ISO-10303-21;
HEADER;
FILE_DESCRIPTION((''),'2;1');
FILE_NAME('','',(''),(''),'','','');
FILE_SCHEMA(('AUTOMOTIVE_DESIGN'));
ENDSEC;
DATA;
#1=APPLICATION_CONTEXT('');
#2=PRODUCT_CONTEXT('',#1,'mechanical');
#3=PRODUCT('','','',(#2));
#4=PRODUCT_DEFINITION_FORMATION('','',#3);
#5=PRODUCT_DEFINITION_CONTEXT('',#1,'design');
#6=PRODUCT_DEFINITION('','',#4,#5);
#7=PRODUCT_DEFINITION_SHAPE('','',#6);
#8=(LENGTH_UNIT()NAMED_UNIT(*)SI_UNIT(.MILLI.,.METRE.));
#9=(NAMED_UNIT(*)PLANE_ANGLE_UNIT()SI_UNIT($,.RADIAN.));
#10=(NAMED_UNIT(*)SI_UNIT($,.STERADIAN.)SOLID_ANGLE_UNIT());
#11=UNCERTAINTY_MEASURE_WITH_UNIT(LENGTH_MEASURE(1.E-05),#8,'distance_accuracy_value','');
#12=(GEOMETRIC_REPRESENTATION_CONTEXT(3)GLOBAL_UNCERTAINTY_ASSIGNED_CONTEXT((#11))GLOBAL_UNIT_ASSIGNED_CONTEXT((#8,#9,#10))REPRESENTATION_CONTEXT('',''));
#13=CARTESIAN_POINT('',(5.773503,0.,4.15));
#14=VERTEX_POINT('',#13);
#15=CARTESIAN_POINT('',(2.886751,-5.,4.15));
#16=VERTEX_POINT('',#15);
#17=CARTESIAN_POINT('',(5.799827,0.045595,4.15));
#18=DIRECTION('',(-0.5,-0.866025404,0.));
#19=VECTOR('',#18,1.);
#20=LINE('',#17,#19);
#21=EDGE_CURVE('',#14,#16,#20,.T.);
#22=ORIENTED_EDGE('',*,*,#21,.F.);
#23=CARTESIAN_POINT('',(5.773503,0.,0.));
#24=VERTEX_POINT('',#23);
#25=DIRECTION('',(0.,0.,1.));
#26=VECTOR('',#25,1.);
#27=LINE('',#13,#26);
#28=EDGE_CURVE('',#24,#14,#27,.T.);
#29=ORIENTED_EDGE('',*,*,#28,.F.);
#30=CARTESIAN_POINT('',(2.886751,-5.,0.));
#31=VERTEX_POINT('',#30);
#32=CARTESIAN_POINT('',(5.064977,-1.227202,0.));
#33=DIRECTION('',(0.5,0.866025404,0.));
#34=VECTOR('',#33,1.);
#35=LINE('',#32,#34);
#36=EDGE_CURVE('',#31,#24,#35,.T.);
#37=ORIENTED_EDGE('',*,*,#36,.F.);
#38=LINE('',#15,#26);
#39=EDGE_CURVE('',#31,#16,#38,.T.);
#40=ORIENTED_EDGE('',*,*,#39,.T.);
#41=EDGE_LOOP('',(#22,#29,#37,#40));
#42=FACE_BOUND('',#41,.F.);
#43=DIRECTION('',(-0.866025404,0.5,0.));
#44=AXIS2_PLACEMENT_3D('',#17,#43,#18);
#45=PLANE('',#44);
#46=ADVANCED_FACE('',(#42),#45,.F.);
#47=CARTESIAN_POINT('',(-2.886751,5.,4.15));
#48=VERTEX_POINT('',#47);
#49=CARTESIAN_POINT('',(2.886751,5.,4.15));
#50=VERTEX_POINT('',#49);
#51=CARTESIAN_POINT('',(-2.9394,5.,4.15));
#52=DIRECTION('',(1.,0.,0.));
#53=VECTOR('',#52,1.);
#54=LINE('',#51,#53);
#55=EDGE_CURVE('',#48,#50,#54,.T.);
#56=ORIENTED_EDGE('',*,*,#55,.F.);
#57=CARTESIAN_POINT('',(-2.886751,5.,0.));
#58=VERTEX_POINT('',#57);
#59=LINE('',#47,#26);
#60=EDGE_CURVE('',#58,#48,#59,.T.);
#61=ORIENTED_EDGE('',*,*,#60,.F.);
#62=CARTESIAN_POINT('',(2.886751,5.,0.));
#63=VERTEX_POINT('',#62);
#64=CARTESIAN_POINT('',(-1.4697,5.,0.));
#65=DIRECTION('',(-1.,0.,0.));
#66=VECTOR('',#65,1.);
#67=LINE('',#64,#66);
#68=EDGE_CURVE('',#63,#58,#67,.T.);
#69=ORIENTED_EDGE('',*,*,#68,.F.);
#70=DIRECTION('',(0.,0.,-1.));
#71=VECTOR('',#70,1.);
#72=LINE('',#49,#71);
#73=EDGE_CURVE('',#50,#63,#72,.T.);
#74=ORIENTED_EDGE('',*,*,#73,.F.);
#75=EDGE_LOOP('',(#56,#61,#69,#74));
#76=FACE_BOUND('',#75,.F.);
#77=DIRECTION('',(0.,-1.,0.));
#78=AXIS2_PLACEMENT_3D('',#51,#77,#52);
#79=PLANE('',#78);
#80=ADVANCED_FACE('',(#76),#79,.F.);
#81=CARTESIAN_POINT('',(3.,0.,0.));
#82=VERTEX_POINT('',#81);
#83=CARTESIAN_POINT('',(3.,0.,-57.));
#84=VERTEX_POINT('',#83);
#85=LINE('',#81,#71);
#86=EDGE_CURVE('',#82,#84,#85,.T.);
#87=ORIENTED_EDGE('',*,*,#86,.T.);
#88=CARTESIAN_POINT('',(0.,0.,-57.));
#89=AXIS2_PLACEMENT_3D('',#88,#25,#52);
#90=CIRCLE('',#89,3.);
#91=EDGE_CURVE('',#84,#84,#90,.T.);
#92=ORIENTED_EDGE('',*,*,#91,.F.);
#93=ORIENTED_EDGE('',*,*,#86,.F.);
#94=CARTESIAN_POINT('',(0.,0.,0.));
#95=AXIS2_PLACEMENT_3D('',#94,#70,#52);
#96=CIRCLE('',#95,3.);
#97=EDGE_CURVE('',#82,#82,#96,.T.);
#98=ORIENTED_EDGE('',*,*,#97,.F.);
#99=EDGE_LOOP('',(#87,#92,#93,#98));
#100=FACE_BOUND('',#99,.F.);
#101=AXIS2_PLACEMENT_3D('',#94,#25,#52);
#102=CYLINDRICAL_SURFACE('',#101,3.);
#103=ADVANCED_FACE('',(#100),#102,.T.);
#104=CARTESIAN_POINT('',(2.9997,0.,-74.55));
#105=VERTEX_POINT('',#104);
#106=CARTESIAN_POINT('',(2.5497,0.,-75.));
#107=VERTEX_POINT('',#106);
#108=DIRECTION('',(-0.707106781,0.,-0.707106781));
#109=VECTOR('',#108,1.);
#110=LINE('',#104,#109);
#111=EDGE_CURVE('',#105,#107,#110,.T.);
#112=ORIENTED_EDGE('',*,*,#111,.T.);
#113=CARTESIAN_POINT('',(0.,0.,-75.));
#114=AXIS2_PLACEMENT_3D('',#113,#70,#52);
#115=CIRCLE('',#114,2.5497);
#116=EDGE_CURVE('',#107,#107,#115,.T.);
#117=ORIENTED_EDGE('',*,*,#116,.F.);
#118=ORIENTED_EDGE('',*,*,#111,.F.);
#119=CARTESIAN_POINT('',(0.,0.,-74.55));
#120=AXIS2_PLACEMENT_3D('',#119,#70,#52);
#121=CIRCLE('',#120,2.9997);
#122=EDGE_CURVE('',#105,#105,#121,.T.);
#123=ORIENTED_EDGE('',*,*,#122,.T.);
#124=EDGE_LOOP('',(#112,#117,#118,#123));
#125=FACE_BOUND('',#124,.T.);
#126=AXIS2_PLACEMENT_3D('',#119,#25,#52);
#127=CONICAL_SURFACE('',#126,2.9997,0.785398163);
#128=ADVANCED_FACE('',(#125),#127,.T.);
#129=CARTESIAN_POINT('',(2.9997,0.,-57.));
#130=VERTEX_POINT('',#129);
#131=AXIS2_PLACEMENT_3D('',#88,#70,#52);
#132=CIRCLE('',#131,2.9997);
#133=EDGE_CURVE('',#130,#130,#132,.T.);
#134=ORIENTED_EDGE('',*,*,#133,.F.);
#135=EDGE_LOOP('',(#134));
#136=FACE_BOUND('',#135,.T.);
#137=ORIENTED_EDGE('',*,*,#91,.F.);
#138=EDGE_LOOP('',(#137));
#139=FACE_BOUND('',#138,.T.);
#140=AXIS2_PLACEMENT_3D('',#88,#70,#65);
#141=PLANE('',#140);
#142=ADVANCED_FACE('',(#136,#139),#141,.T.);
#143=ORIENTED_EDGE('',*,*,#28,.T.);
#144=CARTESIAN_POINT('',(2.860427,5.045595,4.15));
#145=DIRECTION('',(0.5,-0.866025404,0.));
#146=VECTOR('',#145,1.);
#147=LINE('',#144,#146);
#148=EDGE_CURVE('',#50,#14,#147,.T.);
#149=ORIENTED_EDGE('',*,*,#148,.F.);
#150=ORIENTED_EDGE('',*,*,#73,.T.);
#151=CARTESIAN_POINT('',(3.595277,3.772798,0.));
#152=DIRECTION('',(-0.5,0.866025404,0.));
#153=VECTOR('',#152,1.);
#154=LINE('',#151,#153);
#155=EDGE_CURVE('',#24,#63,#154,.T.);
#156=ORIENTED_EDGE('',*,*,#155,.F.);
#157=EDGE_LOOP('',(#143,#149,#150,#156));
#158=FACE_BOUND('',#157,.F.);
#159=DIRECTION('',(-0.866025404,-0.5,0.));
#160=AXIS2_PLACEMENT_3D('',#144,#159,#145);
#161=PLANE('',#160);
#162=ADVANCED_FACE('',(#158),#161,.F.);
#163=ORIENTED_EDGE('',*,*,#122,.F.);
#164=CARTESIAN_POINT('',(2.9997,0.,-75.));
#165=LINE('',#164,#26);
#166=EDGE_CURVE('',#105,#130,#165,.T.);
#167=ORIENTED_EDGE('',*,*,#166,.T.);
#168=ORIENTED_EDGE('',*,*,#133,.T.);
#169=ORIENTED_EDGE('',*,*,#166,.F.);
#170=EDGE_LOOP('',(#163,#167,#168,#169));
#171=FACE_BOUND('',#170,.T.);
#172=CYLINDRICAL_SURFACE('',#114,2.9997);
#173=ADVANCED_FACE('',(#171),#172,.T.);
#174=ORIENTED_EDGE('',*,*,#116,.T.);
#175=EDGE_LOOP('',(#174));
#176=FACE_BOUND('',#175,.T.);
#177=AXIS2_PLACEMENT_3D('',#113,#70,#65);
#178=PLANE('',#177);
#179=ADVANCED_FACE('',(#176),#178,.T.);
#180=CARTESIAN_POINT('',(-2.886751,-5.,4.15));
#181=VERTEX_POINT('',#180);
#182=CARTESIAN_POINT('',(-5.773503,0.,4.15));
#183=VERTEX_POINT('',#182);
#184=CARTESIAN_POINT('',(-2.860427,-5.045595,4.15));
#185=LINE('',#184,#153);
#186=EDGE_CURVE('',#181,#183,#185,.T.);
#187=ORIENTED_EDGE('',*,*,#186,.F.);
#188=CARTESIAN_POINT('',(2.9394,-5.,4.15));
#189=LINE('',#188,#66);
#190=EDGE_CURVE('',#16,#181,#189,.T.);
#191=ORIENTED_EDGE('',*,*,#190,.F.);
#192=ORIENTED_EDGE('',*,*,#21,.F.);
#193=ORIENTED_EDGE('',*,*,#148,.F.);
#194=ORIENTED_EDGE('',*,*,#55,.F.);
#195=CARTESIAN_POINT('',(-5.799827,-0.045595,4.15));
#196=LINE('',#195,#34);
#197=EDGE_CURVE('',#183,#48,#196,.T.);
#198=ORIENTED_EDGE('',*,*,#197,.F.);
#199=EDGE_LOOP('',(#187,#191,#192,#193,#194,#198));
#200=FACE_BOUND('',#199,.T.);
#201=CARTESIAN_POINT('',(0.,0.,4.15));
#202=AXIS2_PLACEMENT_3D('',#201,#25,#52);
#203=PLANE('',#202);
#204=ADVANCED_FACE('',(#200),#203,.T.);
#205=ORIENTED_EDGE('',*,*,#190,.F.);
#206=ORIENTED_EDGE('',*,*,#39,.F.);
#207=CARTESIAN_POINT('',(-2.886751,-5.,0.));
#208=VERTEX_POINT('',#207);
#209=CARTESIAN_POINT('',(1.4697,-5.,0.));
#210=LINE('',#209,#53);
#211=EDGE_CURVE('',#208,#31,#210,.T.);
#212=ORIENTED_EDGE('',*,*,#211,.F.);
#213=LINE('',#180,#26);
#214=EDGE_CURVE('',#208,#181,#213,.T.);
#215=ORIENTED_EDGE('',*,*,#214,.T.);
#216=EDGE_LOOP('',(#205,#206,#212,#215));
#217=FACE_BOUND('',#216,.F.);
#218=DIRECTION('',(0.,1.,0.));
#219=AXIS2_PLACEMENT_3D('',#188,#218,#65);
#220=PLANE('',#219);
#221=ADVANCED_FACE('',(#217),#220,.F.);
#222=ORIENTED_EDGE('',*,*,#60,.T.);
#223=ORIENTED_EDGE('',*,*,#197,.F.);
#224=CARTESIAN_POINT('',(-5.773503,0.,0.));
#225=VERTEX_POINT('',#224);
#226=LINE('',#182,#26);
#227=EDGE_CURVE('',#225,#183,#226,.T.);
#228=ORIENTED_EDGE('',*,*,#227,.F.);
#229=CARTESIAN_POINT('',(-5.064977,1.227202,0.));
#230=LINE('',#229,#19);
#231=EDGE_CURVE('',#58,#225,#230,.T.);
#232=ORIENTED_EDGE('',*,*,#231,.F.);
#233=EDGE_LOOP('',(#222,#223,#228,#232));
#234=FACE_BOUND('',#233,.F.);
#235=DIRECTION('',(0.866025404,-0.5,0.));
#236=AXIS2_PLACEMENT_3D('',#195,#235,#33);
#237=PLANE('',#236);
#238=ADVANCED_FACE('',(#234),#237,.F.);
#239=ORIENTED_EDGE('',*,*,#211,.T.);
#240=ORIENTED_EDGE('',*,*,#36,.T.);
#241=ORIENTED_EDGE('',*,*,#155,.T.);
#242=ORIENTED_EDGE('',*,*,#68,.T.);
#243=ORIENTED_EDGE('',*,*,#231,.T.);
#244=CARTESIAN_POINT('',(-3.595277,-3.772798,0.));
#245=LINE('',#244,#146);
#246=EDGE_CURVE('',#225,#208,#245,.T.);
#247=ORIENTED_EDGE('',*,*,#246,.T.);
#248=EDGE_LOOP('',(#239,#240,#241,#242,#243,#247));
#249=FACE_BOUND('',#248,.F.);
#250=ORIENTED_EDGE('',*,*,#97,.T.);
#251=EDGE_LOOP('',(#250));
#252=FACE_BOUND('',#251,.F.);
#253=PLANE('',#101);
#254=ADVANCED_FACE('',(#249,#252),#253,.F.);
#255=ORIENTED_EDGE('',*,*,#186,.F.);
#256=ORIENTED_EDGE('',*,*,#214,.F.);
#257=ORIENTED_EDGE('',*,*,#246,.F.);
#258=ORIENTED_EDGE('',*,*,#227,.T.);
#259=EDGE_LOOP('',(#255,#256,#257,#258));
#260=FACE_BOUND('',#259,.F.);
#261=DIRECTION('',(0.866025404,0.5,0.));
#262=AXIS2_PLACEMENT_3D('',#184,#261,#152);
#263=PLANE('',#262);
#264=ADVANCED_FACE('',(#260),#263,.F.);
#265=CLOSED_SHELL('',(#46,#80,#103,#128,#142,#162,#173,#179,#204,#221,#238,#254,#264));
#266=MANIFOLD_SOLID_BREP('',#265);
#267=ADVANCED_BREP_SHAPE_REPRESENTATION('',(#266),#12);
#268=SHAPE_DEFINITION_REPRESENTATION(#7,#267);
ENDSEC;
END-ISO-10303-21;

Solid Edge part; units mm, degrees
sketch "Sketch1" plane through (0, 0, 0) normal (0, 0, 1) x (1, 0, 0)
  circle A0 centre (0, 0) radius 5.8
  dimension "D1" = 11.6
extrude "Protrusion1" add sketch "Sketch1" along normal blind 4.15
sketch "Sketch2" plane through (0, 0, 0) normal (0, 0, -1) x (1, 0, 0)
  circle A0 centre (0, 0) radius 3
extrude "Protrusion2" add sketch "Sketch2" along normal blind 75
sketch "Sketch3" plane through (0, 0, -75) normal (0, 0, -1) x (1, 0, 0)
  circle A0 centre (0, 0) radius 2.9997
extrude "Cutout1" cut sketch "Sketch3" against normal blind 18 flip side to cut
chamfer "Chamfer_1" distance 0.45 angle 45 1 edges at (-2.9997, 0, -75)
sketch "Sketch4" plane through (0, 0, 4.15) normal (0, 0, 1) x (1, 0, 0)
  line L0 (-2.9394, 5) -> (2.9394, 5)
  dimension "D1" = 10
extrude "Cutout2" cut sketch "Sketch4" against normal up to next material side at (0, 5.05, 4.15)
pattern_circular "Pattern1" count 6 over 360 about axis through (0, 0, 4.15) along (0, 0, 1) of "Cutout2"
properties part number "118570"
